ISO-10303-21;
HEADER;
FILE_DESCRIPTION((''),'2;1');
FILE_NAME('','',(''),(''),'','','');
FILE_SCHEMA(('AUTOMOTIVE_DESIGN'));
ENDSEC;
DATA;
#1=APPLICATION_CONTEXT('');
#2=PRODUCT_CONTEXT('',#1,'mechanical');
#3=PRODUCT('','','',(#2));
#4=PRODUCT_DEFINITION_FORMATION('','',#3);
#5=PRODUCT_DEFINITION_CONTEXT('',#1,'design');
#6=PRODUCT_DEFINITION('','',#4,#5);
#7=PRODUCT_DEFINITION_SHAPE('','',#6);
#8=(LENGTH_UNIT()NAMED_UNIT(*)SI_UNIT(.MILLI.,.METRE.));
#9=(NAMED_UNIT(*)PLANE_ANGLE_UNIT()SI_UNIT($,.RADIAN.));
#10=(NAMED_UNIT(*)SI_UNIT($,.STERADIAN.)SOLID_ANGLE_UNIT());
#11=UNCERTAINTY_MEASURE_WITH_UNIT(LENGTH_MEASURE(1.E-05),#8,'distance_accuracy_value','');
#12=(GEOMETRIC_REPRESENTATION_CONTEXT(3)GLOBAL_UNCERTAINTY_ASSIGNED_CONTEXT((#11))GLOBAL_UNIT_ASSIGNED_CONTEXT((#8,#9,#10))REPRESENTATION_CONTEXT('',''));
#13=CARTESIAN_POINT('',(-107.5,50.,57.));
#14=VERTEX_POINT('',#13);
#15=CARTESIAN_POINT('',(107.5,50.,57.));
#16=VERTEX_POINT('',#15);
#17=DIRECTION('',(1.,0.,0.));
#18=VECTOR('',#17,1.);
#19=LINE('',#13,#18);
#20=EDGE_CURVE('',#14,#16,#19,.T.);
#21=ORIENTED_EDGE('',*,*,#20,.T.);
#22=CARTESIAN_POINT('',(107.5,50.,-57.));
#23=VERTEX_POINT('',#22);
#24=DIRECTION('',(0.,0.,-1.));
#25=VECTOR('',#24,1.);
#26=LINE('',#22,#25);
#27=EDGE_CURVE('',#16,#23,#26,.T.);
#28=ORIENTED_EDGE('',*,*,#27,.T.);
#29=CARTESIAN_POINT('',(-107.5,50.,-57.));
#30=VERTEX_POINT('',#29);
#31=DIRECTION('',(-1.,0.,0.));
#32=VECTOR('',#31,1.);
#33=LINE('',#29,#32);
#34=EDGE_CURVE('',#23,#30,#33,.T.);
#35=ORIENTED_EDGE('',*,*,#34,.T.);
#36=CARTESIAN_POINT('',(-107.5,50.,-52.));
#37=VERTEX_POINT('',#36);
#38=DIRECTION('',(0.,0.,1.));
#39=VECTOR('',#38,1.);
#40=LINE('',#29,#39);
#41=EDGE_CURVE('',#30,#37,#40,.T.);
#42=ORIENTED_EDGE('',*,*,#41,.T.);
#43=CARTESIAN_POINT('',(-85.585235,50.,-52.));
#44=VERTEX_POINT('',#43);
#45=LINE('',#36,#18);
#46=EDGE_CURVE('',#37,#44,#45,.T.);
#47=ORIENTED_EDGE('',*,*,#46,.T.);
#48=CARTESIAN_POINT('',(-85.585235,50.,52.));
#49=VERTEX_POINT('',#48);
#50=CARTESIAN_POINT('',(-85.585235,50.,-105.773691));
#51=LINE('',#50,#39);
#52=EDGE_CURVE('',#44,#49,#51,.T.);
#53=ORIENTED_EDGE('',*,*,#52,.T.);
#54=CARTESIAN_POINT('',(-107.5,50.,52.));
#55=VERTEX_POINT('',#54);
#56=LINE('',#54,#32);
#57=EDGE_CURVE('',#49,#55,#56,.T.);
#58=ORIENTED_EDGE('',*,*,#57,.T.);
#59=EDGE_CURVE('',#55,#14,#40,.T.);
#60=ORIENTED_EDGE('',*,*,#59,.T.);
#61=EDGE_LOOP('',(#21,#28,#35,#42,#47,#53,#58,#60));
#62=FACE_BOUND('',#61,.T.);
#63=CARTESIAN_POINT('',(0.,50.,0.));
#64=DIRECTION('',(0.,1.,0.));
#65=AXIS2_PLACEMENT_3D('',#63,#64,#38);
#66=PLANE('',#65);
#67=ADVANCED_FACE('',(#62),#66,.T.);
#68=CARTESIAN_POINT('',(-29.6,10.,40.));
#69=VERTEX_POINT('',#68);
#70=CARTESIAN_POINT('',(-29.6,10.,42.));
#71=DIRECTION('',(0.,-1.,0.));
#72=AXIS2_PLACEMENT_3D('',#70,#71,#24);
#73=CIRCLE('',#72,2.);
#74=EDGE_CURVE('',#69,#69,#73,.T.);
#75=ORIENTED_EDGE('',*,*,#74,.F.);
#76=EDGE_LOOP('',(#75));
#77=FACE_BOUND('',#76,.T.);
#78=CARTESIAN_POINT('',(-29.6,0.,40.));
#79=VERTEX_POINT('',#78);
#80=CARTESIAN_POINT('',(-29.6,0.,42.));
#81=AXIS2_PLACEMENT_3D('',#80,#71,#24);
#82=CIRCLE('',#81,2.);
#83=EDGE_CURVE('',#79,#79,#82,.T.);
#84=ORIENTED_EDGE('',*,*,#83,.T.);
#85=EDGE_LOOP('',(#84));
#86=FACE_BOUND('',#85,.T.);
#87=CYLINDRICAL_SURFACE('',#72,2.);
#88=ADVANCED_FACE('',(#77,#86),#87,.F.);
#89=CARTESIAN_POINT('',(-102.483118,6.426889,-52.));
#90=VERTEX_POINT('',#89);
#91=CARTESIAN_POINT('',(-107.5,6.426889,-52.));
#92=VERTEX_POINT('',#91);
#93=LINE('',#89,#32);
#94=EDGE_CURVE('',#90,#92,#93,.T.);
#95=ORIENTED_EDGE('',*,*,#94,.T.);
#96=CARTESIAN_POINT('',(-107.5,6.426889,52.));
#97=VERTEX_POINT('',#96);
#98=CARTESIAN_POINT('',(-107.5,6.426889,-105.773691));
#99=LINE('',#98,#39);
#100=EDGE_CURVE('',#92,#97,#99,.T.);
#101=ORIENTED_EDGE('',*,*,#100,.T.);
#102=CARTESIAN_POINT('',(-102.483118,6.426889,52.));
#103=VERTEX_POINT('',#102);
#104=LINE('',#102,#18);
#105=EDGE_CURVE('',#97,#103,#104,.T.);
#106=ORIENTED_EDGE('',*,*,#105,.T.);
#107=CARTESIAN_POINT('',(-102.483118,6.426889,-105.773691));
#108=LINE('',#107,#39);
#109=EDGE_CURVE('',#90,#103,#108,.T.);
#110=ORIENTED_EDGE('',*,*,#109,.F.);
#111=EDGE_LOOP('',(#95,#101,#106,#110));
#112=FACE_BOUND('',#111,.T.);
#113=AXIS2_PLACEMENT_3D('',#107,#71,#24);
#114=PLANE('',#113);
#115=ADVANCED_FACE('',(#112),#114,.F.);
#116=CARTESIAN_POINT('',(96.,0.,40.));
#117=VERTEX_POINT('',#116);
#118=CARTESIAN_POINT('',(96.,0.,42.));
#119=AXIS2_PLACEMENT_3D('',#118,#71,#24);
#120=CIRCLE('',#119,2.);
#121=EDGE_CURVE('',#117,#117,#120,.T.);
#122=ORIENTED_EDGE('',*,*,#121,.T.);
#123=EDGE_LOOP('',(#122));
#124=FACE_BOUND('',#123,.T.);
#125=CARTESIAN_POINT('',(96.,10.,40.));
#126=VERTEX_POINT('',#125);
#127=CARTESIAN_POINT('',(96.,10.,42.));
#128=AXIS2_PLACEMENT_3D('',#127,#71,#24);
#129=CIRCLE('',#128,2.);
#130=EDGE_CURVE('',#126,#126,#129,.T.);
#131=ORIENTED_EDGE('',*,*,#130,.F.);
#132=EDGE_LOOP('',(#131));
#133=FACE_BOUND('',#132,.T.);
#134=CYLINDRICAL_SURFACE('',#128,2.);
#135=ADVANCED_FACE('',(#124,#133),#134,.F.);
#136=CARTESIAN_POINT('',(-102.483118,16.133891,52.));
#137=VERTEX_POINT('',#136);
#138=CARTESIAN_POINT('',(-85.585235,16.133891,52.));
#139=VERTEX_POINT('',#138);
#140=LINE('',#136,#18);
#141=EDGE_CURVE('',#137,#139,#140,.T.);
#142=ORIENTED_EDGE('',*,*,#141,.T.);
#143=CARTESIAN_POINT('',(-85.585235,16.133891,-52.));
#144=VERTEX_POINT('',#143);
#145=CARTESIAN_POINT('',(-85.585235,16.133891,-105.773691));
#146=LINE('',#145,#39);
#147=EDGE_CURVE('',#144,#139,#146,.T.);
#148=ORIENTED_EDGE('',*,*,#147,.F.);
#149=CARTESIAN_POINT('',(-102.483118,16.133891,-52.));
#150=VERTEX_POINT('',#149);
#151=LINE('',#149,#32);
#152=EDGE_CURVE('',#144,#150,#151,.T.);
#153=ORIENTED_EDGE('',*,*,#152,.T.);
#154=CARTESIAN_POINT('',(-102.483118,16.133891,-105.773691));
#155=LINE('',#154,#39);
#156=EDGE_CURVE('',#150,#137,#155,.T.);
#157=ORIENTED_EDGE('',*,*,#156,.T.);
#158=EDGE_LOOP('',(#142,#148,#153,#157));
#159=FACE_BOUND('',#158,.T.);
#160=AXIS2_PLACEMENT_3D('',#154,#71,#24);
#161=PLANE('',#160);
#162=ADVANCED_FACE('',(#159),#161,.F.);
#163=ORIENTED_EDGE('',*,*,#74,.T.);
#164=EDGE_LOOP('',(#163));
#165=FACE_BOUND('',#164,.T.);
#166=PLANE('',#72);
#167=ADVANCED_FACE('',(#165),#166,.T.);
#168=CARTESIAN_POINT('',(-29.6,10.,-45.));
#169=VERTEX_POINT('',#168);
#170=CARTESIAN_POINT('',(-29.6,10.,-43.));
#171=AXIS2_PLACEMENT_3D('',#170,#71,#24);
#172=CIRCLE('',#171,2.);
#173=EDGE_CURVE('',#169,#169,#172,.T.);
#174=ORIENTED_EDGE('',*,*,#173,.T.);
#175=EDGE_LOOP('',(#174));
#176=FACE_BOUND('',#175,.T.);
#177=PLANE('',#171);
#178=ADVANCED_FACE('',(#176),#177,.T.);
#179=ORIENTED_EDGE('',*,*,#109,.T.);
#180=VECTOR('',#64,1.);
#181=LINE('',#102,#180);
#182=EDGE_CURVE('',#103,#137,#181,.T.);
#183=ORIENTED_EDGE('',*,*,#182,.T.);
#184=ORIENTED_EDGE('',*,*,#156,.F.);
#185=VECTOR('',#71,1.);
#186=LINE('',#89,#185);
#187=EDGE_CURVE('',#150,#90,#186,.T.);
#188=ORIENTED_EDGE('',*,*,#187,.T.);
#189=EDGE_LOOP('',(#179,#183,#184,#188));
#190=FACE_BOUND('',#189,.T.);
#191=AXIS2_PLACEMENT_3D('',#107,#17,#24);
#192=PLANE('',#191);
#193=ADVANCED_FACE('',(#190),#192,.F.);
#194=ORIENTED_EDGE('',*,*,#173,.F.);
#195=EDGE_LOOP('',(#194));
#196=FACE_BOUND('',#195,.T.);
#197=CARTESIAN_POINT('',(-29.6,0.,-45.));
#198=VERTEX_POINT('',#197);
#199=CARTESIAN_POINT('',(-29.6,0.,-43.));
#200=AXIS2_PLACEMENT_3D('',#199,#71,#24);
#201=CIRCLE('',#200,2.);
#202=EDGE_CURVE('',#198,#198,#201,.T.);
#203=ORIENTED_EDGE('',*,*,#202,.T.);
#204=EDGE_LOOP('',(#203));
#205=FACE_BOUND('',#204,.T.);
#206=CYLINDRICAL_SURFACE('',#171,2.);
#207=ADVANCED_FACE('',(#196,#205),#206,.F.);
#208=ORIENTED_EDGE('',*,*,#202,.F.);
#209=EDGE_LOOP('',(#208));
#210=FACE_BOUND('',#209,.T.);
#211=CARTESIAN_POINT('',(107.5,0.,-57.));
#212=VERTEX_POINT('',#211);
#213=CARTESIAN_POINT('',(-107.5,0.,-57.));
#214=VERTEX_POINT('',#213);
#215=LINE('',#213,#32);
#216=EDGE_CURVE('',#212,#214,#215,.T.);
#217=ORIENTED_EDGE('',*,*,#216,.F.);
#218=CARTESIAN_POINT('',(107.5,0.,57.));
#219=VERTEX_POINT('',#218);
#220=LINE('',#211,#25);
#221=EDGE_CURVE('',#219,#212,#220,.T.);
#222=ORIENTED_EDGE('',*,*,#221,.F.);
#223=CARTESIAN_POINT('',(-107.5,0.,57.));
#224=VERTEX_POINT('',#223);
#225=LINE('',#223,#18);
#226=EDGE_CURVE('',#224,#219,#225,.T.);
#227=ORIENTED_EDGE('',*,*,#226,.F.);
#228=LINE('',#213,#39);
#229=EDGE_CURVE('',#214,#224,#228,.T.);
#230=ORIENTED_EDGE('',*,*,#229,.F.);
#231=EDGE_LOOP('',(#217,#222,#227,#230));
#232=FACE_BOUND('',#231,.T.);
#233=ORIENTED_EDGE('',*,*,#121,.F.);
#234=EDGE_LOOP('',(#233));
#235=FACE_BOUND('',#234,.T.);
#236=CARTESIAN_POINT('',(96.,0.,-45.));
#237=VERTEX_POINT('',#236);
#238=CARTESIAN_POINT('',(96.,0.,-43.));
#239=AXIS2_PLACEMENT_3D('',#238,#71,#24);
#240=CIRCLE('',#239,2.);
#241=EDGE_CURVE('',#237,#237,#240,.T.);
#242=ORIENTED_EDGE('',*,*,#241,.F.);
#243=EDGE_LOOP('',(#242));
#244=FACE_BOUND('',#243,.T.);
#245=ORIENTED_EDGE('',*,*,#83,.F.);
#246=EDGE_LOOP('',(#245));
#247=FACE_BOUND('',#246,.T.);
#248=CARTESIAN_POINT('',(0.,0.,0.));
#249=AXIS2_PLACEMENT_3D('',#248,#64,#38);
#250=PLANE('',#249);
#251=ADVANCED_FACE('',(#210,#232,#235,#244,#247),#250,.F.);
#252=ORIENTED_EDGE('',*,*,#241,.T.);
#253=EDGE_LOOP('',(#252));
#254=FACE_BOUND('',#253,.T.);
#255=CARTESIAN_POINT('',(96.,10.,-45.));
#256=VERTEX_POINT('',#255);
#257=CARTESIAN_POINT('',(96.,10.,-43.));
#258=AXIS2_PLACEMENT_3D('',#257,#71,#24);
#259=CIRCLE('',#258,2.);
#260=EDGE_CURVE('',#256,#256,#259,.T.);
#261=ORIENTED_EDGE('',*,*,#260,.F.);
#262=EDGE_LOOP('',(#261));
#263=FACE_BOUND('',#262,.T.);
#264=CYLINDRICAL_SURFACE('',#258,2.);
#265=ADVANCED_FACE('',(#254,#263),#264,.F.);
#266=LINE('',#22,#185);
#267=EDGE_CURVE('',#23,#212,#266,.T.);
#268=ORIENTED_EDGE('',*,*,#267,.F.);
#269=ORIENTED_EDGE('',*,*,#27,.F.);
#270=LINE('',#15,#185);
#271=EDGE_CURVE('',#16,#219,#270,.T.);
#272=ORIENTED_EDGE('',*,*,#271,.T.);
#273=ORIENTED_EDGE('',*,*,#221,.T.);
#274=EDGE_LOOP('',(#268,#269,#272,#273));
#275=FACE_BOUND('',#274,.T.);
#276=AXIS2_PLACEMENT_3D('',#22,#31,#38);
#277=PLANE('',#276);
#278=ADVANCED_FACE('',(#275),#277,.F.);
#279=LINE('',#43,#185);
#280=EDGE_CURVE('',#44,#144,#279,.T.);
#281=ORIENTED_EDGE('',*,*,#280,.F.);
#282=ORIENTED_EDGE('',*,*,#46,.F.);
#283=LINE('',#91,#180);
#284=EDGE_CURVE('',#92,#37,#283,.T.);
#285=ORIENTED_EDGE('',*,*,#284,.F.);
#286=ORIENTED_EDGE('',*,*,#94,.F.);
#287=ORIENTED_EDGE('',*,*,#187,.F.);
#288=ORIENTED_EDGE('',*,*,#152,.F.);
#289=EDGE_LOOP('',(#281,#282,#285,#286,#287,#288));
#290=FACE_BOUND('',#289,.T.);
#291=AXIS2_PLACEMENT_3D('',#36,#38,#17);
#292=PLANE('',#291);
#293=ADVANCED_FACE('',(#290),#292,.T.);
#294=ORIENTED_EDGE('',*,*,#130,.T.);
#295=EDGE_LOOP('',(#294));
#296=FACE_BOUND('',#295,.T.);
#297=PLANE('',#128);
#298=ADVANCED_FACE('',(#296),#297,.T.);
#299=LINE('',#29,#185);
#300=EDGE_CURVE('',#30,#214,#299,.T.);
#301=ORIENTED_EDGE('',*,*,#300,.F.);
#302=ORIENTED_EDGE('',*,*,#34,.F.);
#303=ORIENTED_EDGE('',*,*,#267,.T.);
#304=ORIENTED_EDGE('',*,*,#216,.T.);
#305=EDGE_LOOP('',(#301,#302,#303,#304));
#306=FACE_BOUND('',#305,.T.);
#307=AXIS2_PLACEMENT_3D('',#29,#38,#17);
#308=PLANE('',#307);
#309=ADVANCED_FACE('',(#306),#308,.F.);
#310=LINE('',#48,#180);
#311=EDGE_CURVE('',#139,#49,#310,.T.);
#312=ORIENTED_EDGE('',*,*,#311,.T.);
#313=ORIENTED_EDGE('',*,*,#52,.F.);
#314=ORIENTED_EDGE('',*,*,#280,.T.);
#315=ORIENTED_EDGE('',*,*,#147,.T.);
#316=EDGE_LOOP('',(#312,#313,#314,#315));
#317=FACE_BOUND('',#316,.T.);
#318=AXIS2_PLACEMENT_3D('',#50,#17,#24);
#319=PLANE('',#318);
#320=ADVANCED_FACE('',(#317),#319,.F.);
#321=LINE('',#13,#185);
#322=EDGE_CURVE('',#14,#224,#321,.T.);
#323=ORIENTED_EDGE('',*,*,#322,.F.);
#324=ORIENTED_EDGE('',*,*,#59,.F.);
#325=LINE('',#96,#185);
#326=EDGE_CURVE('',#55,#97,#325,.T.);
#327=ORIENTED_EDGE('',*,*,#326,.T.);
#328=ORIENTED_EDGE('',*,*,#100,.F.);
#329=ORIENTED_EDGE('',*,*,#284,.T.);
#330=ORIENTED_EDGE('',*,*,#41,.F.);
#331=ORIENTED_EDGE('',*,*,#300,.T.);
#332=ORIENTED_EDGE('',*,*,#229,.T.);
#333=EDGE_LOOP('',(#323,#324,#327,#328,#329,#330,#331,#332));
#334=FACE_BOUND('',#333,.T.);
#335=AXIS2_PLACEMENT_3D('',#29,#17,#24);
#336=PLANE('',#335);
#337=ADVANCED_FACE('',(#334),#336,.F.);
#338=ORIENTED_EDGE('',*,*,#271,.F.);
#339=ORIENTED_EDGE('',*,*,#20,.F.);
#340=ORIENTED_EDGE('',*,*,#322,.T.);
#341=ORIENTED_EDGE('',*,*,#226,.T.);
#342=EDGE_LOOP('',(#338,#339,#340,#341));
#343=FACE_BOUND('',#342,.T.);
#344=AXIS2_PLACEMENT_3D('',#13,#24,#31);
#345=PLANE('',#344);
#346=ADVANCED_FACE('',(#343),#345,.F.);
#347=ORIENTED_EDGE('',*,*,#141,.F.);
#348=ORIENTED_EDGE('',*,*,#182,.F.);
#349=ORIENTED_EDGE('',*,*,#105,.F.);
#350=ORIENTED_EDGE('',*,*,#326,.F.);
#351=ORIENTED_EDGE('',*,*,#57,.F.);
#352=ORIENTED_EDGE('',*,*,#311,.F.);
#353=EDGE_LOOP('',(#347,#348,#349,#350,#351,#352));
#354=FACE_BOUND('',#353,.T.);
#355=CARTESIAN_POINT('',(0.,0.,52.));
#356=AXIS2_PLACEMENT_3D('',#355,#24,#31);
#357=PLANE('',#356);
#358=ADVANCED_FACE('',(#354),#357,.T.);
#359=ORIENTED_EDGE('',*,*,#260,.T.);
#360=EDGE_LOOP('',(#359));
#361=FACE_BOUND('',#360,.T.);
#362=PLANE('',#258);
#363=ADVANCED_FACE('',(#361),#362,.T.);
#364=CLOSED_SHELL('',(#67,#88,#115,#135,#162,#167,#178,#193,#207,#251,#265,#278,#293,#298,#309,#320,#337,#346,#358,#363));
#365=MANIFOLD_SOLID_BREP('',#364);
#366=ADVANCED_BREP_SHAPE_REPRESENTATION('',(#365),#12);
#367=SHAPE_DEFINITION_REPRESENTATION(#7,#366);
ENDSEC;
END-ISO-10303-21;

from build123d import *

# Parameters (mm, degrees)
ESBO_O1_W                = 215
ESBO_O1_H                = 114
RESSALTO_EXTRUS_O1_DEPTH = 50
CORTE_EXTRUS_O1_START    = -5
CORTE_EXTRUS_O1_DEPTH    = 104
ESBO_O4_R                = 2
CORTE_EXTRUS_O2_DEPTH    = 10


with BuildPart() as part:
    # Esboço1 → Ressalto-extrusão1 (new body)
    with BuildSketch(Plane(origin=(0, 0, 0), x_dir=(1, 0, 0), z_dir=(0, 1, 0))):
        Rectangle(ESBO_O1_W, ESBO_O1_H)
    extrude(amount=RESSALTO_EXTRUS_O1_DEPTH)

    # Esboço3 → Corte-extrusão1 (cut)
    with BuildSketch(Plane.XY.offset(57).offset(CORTE_EXTRUS_O1_START)):
        Polygon((-107.5, 50), (-85.58523496, 50), (-85.58523496, 16.13389081), (-102.483117777, 16.13389081), (-102.483117777, 6.426889092), (-107.5, 6.426889092), (-107.5, 17.457061978), align=None)
    extrude(amount=-CORTE_EXTRUS_O1_DEPTH, mode=Mode.SUBTRACT)

    # Esboço4 → Corte-extrusão2 (cut)
    with BuildSketch(Plane.XZ):
        with Locations((96, 42)):
            Circle(ESBO_O4_R)
        with Locations((-29.6, 42)):
            Circle(ESBO_O4_R)
        with Locations((-29.6, -43)):
            Circle(ESBO_O4_R)
        with Locations((96, -43)):
            Circle(ESBO_O4_R)
    extrude(amount=-CORTE_EXTRUS_O2_DEPTH, mode=Mode.SUBTRACT)


solid = part.part
